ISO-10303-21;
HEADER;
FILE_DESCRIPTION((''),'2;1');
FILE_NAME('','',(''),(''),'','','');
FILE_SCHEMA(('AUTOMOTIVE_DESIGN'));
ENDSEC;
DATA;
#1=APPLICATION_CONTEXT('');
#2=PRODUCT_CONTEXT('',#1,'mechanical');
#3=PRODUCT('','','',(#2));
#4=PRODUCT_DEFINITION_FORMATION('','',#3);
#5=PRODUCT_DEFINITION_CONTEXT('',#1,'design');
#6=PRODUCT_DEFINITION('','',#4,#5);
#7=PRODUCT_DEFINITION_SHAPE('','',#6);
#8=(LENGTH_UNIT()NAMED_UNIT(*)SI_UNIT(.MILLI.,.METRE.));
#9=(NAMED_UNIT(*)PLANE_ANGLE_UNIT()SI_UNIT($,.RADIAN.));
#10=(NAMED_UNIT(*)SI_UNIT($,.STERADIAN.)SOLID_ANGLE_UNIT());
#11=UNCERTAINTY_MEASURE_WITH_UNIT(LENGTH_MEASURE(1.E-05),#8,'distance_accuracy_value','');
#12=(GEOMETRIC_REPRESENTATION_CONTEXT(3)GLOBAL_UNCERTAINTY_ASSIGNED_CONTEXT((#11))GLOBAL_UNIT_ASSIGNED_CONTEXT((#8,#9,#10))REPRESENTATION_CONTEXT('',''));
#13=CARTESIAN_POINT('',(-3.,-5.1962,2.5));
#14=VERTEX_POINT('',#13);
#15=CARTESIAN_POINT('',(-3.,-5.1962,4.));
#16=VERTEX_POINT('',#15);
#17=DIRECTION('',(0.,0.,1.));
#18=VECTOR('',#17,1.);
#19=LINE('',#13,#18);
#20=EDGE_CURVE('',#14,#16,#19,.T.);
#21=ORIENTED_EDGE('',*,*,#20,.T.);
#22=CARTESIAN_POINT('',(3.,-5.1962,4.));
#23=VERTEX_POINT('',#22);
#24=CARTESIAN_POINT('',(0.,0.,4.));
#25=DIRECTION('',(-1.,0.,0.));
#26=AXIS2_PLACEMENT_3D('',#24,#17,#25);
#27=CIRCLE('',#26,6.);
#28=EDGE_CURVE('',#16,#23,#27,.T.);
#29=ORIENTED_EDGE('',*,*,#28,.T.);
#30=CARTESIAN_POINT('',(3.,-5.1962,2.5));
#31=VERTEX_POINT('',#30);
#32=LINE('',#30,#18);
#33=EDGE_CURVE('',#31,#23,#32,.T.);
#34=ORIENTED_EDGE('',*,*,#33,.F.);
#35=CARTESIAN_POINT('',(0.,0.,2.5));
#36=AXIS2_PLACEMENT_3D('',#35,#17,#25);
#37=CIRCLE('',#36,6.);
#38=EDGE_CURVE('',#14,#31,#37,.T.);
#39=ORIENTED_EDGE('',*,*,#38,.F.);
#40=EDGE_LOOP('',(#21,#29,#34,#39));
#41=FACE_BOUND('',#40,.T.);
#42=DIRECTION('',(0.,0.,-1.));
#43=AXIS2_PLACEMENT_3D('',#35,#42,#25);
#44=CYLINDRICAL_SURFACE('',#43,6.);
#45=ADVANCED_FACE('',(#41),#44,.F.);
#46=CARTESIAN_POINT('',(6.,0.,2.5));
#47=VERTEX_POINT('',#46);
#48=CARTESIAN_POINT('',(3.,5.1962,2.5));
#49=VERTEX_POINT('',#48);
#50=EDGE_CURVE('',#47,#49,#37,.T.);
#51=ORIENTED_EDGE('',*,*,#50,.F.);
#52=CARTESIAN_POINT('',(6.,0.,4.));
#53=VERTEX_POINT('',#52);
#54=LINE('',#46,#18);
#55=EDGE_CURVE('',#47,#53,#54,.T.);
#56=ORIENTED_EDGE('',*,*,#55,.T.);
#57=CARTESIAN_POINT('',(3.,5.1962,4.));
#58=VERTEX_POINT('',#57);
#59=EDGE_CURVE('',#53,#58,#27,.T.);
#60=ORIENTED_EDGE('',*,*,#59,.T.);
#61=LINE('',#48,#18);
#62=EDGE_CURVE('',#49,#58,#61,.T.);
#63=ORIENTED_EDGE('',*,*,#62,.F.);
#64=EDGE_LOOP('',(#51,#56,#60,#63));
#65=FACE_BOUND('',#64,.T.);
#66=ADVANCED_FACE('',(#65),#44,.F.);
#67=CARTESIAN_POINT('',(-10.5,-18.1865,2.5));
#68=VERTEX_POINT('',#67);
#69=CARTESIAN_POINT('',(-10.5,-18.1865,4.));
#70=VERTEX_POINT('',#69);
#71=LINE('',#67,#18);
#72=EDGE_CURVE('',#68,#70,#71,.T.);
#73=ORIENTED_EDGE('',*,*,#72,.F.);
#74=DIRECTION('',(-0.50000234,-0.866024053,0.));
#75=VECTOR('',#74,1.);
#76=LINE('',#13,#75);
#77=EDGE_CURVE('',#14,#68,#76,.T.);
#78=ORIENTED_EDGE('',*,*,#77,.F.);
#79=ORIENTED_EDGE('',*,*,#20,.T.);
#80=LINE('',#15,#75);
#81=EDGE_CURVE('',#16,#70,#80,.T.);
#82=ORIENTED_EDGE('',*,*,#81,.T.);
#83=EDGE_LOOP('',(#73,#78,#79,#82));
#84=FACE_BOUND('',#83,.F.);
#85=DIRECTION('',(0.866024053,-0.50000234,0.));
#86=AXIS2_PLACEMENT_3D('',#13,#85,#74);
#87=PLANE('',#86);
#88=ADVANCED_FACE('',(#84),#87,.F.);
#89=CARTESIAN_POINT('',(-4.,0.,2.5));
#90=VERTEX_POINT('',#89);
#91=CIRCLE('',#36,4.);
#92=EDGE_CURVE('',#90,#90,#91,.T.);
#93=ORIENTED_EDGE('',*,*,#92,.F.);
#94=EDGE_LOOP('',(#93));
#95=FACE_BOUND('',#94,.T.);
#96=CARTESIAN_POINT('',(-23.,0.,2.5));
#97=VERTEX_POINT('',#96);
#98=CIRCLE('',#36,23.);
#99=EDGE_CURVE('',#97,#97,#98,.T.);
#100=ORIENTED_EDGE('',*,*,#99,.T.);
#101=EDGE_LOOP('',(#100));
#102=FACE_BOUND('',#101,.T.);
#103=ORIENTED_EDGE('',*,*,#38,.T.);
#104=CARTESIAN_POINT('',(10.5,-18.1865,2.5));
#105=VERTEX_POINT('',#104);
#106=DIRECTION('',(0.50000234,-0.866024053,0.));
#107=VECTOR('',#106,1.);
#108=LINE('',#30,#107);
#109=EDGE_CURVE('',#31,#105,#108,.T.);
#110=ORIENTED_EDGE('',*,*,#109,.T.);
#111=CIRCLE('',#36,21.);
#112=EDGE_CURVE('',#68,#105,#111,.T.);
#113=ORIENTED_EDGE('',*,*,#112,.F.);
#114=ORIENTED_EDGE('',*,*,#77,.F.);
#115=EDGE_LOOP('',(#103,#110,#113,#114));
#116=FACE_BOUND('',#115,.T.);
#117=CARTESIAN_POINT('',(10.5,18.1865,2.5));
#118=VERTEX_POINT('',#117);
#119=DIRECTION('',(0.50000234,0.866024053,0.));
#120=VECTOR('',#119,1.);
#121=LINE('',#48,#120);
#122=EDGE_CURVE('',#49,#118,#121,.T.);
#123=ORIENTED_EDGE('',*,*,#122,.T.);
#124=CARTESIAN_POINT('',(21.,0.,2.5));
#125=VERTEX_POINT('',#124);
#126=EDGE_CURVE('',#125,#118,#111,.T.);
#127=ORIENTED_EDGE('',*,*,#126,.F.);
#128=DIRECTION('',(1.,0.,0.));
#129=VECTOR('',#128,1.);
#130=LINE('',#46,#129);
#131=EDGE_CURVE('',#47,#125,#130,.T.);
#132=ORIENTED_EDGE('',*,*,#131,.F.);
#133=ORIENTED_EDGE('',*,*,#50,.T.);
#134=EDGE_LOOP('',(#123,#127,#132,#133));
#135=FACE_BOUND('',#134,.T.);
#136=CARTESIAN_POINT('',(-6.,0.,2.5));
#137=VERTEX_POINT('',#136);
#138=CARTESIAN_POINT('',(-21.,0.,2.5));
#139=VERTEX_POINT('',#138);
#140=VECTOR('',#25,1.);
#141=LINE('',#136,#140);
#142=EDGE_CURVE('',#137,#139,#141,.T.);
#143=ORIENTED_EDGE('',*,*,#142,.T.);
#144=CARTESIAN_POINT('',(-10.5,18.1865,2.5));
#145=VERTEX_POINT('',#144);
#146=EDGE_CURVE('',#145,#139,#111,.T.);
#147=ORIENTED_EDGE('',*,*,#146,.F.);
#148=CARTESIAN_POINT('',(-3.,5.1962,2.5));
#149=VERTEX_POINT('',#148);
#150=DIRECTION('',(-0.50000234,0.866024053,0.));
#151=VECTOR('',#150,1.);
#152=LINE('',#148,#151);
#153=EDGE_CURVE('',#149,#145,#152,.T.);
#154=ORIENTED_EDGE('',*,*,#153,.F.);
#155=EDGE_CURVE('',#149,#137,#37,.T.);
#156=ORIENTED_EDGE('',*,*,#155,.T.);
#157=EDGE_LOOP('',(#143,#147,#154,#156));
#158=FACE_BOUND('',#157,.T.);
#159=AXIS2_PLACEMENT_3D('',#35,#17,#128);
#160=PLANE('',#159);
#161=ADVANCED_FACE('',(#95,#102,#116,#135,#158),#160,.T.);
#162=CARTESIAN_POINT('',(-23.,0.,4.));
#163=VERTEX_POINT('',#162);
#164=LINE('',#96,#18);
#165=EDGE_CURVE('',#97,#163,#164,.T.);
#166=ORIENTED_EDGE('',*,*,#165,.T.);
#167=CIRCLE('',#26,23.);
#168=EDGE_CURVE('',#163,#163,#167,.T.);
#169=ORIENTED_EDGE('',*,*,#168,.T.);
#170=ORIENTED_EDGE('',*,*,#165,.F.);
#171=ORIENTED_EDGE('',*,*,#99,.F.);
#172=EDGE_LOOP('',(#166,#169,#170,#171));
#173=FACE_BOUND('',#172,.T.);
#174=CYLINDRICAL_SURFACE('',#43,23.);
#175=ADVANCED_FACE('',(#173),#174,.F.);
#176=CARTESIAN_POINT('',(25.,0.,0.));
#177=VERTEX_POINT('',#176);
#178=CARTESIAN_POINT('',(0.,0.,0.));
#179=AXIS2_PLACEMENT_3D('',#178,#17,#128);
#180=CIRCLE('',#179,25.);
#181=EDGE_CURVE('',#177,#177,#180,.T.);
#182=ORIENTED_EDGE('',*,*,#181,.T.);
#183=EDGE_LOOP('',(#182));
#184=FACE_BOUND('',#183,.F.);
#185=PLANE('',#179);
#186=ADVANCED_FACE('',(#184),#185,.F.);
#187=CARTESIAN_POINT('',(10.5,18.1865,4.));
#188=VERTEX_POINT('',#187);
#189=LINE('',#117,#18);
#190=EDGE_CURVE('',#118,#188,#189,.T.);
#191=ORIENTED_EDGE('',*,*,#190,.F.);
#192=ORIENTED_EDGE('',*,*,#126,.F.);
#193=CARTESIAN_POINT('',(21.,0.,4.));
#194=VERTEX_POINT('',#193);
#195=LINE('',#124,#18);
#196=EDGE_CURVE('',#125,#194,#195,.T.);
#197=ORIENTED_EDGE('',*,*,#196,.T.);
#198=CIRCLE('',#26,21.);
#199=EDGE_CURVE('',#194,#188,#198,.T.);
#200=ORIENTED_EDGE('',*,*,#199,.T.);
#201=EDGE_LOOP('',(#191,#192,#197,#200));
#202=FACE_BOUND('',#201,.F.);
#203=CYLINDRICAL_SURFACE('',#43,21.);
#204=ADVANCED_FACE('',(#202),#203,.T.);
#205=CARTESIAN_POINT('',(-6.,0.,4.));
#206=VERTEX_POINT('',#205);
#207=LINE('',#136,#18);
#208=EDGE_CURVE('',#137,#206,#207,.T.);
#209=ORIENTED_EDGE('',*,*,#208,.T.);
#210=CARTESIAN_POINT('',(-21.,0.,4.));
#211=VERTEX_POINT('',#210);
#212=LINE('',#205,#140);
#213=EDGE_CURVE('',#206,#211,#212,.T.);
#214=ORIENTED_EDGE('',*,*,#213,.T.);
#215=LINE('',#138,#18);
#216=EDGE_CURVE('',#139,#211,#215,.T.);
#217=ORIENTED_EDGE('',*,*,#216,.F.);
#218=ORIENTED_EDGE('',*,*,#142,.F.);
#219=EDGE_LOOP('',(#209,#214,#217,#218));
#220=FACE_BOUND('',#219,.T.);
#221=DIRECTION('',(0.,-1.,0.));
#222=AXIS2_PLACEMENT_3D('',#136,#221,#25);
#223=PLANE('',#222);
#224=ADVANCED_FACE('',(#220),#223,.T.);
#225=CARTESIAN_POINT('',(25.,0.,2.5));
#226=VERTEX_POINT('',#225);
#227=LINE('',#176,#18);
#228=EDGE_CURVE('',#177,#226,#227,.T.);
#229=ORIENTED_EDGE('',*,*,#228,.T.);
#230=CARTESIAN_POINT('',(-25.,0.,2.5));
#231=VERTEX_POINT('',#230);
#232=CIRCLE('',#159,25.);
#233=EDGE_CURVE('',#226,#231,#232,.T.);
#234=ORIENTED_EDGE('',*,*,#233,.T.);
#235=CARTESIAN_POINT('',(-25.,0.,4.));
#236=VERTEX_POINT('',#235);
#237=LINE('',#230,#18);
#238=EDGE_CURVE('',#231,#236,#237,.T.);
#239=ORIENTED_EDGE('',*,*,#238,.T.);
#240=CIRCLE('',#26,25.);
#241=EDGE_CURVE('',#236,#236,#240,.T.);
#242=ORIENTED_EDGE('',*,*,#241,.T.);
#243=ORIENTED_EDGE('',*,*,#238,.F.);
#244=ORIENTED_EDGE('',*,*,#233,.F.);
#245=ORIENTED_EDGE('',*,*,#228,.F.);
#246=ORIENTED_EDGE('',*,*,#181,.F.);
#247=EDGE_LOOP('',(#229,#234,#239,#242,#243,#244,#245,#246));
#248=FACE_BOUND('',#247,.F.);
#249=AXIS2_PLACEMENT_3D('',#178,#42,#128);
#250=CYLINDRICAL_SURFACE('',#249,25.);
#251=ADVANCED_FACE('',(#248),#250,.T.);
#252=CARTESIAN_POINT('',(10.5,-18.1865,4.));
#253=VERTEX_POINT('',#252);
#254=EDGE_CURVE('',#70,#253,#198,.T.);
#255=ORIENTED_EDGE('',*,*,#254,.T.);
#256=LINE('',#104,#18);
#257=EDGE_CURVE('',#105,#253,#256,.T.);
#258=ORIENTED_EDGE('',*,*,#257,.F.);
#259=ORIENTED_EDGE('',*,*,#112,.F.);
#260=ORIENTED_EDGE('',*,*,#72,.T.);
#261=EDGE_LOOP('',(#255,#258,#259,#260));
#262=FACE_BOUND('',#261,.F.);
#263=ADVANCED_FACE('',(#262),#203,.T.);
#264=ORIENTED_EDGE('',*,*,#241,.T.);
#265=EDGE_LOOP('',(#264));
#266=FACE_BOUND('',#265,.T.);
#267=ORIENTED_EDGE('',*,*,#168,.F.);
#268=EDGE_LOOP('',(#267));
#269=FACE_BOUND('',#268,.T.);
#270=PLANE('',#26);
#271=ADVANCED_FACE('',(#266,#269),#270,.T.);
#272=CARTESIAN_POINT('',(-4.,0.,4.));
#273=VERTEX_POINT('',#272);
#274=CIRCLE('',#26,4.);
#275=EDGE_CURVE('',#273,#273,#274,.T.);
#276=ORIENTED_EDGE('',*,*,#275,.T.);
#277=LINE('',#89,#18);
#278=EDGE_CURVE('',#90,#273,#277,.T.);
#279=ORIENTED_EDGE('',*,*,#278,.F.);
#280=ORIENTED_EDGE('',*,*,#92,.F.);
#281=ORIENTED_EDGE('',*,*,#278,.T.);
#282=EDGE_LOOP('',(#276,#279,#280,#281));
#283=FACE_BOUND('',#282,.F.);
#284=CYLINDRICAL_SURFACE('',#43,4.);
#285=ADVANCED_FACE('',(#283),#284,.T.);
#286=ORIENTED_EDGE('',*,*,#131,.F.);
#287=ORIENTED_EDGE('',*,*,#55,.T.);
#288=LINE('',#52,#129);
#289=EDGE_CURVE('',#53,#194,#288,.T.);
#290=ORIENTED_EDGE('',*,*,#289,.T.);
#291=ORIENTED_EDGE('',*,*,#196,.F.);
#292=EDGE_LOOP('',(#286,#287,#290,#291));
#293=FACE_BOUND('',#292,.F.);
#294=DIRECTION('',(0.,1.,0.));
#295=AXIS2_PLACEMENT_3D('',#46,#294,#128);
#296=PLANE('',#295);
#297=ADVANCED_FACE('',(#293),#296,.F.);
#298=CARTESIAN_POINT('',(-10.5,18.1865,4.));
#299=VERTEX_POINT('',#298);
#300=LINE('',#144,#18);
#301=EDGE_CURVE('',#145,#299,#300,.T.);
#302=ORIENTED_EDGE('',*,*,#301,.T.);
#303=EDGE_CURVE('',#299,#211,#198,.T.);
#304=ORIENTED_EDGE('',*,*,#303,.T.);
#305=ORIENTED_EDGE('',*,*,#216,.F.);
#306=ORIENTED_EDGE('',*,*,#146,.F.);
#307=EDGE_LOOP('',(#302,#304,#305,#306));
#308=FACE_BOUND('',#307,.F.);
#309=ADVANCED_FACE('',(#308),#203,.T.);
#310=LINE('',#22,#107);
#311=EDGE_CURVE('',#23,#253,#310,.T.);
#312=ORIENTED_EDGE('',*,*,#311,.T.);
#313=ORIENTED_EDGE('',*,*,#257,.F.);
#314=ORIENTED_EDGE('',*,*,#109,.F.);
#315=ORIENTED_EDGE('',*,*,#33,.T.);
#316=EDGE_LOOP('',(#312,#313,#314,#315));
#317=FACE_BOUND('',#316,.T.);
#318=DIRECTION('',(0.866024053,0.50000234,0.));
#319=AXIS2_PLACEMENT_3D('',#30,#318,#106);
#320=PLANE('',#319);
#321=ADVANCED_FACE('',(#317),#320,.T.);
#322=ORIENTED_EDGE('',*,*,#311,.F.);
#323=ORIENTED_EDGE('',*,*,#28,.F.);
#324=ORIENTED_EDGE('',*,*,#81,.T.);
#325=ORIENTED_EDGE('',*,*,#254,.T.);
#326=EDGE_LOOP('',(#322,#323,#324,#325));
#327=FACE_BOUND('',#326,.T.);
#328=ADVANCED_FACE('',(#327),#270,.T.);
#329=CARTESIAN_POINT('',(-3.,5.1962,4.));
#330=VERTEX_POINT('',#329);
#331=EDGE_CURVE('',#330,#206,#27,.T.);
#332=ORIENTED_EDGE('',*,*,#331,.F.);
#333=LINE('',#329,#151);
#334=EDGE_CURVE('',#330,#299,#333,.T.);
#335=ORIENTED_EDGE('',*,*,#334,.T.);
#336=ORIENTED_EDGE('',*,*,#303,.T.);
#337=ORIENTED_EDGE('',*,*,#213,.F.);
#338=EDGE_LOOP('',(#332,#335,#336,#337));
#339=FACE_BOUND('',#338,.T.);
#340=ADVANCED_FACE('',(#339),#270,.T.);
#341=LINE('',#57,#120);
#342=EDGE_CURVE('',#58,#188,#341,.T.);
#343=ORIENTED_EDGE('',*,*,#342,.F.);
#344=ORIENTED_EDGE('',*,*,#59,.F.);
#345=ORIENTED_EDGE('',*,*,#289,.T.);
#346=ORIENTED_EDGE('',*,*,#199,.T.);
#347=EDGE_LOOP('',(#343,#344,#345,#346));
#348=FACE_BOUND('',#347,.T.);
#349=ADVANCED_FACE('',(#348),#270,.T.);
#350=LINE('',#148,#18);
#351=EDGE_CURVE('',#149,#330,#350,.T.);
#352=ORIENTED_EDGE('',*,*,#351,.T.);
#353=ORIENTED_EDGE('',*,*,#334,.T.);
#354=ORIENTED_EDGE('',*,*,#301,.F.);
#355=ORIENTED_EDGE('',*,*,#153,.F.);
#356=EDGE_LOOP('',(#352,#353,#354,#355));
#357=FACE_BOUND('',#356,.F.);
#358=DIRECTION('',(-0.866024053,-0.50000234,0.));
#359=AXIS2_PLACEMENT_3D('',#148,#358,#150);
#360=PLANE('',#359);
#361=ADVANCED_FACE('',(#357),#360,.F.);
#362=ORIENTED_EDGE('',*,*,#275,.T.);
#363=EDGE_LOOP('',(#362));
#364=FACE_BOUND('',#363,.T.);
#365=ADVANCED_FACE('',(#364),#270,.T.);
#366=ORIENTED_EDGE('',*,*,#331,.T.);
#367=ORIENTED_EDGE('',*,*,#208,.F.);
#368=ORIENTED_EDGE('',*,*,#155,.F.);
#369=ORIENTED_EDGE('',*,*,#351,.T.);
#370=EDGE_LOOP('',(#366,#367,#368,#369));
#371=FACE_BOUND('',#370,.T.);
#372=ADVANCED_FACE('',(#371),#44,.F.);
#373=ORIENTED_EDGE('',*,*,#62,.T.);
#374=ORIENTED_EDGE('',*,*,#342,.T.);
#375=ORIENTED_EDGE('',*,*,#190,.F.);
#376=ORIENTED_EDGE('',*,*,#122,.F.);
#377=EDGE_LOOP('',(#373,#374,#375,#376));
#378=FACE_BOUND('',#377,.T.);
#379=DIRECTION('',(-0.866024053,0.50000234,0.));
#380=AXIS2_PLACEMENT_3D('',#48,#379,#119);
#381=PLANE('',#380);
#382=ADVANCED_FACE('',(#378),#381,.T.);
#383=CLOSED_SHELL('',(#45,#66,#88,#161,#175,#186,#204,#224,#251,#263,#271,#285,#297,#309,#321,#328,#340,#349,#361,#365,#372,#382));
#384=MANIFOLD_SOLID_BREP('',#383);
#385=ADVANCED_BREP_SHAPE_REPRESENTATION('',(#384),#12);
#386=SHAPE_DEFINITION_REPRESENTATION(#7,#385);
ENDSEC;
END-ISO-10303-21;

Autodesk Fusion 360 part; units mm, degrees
sketch "Sketch2" plane through (0, 0, 0) normal (0, 0, 1) x (1, 0, 0)
  circle A0 centre (0, 0) radius 25
  dimension "d3" = 50
extrude "Extrude2" add sketch "Sketch2" along normal blind 2.5
sketch "Sketch3" plane through (0, 0, 2.5) normal (0, 0, 1) x (-1, 0, 0)
  circle A0 centre (0, 0) radius 25
  circle A1 centre (0, 0) radius 23
  circle A2 centre (0, 0) radius 21
  circle A3 centre (0, 0) radius 4
  line L0 (6, 0) -> (3, 5.1962) construction
  line L1 (3, 5.1962) -> (-3, 5.1962) construction
  line L2 (-3, 5.1962) -> (-6, 0) construction
  line L3 (-6, 0) -> (-3, -5.1962) construction
  line L4 (-3, -5.1962) -> (3, -5.1962) construction
  line L5 (3, -5.1962) -> (6, 0) construction
  line L6 (-3, -5.1962) -> (-10.5, -18.1865)
  line L7 (-6, 0) -> (-21, 0)
  line L8 (-3, 5.1962) -> (-10.5, 18.1865)
  line L9 (3, 5.1962) -> (10.5, 18.1865)
  line L10 (6, 0) -> (21, 0)
  line L11 (3, -5.1962) -> (10.5, -18.1865)
  line L12 (21, 0) -> (10.5, -18.1865) construction
  line L13 (-10.5, -18.1865) -> (-21, 0) construction
  line L14 (-10.5, 18.1865) -> (-21, 0) construction
  line L15 (-10.5, -18.1865) -> (10.5, -18.1865) construction
  line L16 (21, 0) -> (10.5, 18.1865) construction
  circle A4 centre (0, 0) radius 6
  dimension "d6" = -2
  dimension "d7" = -4
  dimension "d8" = 8
  dimension "d9" = 6
extrude "Extrude3" add sketch "Sketch3" along normal blind 1.5 contours A0 | A2 L10 L11 A4 | A2 L8 L9 A4 | A2 L6 L7 A4
extrude "Extrude4" add sketch "Sketch3" along normal blind 1.5 contours A3
